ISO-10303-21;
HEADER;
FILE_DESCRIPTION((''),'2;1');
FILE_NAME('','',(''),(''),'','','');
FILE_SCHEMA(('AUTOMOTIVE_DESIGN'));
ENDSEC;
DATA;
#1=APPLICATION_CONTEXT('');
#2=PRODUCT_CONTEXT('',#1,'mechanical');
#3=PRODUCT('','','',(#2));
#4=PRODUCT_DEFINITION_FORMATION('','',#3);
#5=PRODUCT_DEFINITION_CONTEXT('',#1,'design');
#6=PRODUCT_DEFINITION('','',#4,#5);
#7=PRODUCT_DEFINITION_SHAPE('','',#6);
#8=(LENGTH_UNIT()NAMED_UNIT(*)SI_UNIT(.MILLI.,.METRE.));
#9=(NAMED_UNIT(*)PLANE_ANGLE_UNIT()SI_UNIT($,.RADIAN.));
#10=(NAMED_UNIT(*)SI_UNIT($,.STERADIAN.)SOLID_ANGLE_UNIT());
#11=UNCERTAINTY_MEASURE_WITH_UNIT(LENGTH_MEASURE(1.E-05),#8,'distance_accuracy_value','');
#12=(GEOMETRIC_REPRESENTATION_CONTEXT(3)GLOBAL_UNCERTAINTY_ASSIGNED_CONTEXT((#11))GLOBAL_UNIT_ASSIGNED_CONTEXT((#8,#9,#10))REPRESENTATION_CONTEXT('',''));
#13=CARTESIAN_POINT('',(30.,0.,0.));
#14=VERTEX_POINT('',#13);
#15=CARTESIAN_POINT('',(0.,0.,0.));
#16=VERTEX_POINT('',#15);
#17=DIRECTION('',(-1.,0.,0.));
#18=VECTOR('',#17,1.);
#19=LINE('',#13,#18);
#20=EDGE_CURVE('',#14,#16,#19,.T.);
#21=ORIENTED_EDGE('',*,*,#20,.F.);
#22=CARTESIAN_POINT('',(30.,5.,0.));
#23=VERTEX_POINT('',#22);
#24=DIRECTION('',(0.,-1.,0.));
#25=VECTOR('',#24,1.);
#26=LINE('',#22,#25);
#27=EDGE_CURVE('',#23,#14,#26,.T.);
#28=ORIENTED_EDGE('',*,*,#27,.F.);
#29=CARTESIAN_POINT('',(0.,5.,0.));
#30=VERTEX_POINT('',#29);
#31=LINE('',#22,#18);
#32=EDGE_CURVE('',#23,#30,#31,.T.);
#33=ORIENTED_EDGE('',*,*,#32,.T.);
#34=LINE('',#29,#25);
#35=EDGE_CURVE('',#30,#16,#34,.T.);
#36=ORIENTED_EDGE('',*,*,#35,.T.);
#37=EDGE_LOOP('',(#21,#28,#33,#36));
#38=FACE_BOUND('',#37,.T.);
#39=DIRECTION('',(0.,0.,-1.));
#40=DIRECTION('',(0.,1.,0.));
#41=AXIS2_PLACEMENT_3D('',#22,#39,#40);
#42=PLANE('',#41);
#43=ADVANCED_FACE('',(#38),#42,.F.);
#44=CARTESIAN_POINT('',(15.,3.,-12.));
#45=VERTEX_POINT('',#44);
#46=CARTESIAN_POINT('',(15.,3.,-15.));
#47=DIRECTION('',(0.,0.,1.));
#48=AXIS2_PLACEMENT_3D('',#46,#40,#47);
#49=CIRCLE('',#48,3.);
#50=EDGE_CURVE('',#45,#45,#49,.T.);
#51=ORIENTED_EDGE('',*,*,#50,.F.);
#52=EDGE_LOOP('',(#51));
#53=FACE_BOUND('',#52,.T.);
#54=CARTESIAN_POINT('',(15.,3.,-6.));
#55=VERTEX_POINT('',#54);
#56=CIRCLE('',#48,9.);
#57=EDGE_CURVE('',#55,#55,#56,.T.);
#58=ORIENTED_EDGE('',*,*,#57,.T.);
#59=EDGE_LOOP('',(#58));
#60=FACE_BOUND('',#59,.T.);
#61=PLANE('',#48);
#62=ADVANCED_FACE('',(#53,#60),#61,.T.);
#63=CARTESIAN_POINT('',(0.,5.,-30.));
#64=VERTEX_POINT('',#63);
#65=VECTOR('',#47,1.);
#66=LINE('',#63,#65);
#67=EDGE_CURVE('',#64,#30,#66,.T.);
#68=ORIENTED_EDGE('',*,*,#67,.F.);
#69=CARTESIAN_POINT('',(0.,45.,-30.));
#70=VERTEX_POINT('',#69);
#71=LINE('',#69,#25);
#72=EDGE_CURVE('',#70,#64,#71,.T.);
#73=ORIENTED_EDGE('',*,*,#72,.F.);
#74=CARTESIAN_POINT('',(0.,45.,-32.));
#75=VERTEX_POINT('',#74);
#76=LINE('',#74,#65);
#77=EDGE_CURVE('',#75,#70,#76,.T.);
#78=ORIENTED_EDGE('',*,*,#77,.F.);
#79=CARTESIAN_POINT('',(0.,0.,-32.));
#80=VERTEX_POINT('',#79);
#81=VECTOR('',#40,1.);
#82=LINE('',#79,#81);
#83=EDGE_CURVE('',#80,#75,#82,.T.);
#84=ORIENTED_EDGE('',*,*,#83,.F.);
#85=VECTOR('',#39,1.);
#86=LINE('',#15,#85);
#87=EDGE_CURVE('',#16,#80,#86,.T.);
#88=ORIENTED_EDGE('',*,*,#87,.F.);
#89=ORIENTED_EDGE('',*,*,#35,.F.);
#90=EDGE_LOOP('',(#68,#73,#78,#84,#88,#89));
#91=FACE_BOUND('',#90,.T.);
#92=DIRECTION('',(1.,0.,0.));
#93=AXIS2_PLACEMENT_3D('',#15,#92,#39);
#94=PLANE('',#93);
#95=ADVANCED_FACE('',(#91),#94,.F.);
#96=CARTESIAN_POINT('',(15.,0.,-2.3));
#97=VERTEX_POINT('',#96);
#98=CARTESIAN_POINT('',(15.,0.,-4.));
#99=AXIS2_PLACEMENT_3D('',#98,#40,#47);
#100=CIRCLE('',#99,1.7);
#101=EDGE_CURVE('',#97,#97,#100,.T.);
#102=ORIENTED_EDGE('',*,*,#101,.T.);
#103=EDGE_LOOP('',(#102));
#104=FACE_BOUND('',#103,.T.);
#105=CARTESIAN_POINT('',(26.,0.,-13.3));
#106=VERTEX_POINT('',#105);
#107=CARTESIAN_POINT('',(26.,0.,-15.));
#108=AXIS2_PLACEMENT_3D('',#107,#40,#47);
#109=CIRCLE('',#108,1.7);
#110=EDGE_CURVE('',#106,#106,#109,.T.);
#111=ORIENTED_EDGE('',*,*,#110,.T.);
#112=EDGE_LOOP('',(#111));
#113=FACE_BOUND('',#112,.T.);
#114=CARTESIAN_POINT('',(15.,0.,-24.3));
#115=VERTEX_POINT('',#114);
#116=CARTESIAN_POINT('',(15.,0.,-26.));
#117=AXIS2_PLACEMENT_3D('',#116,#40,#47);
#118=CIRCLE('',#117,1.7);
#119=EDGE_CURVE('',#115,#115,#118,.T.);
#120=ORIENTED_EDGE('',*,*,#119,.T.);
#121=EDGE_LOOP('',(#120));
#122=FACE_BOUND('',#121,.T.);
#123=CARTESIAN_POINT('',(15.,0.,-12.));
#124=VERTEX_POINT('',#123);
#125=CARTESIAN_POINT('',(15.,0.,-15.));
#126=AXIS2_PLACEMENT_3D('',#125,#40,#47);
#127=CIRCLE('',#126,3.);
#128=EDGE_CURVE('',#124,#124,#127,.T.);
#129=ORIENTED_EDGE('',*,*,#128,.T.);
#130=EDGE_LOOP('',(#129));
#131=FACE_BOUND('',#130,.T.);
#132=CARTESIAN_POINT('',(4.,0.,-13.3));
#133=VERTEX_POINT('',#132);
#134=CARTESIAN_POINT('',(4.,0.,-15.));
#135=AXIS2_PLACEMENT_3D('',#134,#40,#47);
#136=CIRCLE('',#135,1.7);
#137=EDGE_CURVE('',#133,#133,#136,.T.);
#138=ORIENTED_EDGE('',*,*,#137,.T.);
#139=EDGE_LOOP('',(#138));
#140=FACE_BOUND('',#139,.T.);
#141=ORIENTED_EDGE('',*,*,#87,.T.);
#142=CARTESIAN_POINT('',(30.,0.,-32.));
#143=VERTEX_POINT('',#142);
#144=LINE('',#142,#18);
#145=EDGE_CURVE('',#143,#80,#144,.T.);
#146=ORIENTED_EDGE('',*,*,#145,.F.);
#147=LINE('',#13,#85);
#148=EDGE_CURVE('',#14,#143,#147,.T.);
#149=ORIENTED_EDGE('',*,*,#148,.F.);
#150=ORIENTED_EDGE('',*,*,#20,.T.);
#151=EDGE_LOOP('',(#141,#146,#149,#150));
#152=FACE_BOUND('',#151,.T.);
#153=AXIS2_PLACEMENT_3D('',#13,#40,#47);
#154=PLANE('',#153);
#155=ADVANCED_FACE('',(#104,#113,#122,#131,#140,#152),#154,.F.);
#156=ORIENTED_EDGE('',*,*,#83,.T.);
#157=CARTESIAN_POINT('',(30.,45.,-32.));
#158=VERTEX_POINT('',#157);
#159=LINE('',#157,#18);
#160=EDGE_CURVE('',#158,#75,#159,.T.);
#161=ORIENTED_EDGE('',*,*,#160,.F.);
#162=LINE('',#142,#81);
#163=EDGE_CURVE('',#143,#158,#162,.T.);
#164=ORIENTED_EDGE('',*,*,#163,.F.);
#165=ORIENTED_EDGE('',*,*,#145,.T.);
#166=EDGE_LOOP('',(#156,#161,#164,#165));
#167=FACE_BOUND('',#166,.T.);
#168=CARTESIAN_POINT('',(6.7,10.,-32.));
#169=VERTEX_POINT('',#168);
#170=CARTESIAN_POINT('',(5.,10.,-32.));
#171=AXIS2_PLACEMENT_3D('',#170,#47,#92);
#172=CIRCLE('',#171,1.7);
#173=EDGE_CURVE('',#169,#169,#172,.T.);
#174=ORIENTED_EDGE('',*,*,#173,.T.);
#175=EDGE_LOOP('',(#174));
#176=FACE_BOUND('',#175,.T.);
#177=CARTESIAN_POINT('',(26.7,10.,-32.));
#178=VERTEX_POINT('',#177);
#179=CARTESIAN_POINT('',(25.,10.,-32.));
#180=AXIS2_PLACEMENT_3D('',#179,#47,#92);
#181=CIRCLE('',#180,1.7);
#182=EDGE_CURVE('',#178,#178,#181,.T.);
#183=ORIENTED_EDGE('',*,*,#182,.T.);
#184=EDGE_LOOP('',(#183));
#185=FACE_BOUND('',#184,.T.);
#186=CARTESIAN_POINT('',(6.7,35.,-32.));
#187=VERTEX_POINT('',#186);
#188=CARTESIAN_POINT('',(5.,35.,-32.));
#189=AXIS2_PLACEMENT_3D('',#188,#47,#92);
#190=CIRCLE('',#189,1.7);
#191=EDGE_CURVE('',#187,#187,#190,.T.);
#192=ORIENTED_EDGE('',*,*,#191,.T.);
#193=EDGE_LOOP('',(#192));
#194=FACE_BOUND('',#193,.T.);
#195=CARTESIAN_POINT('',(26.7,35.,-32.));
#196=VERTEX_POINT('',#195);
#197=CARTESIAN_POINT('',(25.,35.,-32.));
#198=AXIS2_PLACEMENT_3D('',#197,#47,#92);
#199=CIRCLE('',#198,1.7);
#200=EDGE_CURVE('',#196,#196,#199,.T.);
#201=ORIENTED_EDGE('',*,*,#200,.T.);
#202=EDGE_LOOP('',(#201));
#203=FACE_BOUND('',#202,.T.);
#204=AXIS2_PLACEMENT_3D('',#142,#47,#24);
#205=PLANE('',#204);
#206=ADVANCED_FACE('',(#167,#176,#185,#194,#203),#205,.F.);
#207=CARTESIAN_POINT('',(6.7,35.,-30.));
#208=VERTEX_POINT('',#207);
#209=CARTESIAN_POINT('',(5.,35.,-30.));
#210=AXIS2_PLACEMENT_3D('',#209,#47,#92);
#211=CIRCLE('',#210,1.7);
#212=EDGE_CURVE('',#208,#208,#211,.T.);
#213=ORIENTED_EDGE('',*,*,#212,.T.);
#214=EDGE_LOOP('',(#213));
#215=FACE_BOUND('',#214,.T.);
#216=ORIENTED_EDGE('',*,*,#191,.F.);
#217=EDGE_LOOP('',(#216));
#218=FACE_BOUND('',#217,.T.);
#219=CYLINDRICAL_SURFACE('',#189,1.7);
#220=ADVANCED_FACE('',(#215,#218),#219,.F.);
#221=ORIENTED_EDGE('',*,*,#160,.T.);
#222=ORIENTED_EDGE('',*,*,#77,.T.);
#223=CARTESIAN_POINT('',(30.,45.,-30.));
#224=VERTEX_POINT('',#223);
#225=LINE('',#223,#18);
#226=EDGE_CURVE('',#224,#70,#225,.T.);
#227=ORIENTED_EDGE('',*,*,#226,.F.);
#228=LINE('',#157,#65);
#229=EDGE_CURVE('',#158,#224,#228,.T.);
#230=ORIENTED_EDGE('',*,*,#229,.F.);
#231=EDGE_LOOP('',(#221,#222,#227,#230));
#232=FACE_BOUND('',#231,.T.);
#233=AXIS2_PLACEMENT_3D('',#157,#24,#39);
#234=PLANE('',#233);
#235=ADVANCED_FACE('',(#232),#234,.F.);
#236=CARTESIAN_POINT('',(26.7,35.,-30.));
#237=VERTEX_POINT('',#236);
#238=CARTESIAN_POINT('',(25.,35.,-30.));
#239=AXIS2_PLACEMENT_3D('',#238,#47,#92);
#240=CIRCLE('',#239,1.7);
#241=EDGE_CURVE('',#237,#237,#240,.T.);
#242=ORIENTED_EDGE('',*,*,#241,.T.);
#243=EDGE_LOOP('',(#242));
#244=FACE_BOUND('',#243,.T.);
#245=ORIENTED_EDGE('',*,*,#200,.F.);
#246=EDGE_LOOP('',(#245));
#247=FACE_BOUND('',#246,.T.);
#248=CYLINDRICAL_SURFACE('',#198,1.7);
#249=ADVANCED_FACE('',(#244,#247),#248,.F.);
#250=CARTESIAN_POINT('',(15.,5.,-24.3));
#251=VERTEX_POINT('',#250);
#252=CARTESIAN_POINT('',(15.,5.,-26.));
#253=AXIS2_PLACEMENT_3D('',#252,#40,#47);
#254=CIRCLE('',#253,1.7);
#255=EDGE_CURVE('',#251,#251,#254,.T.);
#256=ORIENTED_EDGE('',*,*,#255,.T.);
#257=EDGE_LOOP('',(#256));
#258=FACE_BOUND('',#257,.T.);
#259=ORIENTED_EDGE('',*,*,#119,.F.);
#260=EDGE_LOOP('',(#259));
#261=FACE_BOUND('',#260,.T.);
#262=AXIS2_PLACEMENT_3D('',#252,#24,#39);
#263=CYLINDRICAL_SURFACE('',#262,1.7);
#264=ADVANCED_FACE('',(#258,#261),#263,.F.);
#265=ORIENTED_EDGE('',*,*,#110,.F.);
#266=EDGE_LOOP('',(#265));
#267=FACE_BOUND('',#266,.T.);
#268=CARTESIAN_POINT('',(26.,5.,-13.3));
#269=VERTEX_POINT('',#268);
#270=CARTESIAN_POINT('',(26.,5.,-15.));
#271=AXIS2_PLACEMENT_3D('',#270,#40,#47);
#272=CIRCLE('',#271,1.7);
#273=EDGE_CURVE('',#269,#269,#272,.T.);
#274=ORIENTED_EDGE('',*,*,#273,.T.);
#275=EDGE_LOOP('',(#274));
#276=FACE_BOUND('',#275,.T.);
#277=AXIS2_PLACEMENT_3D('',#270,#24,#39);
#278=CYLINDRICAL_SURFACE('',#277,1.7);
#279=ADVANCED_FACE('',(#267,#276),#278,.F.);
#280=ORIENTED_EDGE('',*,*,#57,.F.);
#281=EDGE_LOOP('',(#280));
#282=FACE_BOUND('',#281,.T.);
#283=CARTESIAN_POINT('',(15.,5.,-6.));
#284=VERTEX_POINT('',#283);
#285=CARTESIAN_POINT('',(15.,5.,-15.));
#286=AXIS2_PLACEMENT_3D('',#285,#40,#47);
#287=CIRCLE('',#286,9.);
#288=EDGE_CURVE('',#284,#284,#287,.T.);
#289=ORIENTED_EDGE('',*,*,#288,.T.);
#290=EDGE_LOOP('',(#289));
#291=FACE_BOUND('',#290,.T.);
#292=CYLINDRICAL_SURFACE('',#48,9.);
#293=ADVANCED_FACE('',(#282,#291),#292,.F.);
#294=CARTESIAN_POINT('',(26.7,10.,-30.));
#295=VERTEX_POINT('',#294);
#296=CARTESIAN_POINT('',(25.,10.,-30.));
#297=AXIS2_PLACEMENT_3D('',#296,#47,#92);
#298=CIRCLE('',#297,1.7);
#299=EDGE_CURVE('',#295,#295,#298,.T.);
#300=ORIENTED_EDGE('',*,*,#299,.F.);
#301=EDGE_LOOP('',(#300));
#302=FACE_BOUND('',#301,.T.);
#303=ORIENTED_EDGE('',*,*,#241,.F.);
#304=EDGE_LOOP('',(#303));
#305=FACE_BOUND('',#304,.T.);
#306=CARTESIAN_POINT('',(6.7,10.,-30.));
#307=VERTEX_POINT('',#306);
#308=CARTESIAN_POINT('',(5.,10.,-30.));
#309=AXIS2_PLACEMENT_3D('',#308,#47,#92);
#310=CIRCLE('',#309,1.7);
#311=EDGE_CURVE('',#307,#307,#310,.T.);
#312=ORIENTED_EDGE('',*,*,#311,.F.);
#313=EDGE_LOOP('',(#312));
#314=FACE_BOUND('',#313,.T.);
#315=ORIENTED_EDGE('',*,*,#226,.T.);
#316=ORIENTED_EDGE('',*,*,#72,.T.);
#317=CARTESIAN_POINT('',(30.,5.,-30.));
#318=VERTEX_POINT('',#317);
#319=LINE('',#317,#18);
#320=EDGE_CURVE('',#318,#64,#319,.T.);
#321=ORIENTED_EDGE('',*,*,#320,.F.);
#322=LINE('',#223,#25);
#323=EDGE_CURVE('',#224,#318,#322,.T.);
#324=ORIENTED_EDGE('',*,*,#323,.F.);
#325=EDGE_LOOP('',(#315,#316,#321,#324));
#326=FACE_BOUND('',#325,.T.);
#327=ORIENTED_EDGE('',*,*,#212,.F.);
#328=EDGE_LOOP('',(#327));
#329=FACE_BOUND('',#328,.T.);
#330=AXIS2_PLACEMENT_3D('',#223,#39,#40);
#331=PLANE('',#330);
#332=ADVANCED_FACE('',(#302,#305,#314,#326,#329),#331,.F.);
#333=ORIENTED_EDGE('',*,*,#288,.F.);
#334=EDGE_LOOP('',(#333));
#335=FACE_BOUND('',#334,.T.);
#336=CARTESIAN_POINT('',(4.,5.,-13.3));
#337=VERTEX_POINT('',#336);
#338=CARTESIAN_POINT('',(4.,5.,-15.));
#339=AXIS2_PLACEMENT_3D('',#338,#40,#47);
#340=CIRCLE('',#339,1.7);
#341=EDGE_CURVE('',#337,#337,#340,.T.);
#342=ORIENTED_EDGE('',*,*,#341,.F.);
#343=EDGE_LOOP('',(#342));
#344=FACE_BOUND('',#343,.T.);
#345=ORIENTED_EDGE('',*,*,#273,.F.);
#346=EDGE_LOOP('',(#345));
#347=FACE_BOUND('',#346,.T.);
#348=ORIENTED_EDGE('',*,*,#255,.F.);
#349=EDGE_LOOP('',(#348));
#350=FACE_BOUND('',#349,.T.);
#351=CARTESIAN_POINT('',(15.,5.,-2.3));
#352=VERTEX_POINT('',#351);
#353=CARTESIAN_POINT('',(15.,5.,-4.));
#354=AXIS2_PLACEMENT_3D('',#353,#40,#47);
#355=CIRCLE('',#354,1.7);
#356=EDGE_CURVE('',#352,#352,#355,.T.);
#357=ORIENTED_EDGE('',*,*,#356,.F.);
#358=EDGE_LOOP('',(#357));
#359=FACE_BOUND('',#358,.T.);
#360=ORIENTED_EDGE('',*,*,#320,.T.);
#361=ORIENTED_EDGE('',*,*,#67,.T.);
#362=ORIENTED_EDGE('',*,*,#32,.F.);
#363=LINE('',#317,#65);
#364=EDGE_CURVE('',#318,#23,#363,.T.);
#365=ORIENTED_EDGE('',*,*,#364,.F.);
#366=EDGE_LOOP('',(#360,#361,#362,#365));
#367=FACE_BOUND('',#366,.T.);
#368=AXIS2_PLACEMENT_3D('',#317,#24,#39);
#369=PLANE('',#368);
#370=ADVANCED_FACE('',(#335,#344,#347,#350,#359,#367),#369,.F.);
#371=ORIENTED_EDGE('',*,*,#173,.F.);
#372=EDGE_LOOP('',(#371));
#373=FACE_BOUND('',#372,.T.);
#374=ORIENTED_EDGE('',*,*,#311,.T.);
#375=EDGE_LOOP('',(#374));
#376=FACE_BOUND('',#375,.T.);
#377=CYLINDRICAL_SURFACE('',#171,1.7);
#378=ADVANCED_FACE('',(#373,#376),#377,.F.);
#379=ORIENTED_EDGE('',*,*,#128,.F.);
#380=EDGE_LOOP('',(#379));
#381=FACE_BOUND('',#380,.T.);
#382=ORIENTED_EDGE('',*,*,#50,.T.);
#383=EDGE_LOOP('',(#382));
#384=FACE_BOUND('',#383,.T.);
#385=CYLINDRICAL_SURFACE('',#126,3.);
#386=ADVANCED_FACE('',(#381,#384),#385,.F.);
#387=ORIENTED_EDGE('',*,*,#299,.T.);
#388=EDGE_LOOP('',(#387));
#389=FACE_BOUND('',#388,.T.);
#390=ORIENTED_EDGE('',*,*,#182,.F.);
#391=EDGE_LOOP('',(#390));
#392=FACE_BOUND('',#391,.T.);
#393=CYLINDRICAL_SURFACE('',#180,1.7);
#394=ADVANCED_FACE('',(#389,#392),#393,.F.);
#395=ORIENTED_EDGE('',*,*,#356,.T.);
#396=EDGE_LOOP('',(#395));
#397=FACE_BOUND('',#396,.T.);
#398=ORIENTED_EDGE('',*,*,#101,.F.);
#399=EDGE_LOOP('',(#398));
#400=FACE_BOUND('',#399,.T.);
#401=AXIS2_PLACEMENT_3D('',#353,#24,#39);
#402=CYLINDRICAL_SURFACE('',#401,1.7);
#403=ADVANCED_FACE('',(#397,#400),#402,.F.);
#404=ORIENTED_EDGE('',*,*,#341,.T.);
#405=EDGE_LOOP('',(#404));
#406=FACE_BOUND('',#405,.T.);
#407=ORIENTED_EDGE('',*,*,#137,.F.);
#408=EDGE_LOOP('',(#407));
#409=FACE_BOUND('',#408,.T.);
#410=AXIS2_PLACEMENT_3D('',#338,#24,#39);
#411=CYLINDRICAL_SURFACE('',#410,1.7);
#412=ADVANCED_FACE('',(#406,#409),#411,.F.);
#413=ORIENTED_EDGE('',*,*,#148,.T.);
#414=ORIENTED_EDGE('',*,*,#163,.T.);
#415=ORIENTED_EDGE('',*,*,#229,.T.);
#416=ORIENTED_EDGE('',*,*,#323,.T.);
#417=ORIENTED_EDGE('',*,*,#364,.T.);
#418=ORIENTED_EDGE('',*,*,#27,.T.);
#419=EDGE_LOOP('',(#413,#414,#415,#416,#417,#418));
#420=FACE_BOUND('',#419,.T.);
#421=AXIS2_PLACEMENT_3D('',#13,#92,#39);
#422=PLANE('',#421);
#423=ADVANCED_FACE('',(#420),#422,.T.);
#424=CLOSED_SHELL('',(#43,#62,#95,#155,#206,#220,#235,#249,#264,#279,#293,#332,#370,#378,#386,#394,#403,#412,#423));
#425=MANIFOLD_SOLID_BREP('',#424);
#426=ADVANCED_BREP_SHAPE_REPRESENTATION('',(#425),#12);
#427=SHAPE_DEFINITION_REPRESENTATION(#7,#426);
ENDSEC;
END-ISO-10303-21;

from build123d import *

# Parameters (mm, degrees)
BOSS_EXTRUDE1_DEPTH     = 30
SKETCH3_R               = 9
SKETCH3_R_2             = 3
CUT_EXTRUDE1_DEPTH      = 2
SKETCH7_R               = 3
CUT_EXTRUDE2_DEPTH      = 60.363288319
CUT_EXTRUDE3_DEPTH      = 2
CUT_EXTRUDE3_DEPTH_BACK = 61.728905803
SKETCH8_R               = 1.7
SKETCH9_R               = 1.7
CUT_EXTRUDE4_DEPTH      = 62.846584384


with BuildPart() as part:
    # Sketch2 → Boss-Extrude1 (new body)
    with BuildSketch(Plane(origin=(0, 0, 0), x_dir=(0, 0, -1), z_dir=(1, 0, 0))):
        Polygon((0, 0), (32, 0), (32, 45), (30, 45), (30, 5), (0, 5), align=None)
    extrude(amount=BOSS_EXTRUDE1_DEPTH)

    # Sketch3 → Cut-Extrude1 (cut)
    with BuildSketch(Plane(origin=(0, 5, 0), x_dir=(1, 0, 0), z_dir=(0, 1, 0))):
        with Locations(Location((15, 15, 0), (0, 0, 270))):
            Circle(SKETCH3_R)
        with Locations(Location((15, 15, 0), (0, 0, 270))):
            Circle(SKETCH3_R_2, mode=Mode.SUBTRACT)
    extrude(amount=-CUT_EXTRUDE1_DEPTH, mode=Mode.SUBTRACT)

    # Sketch7 → Cut-Extrude2 (cut, through all)
    with BuildSketch(Plane(origin=(0, 5, 0), x_dir=(1, 0, 0), z_dir=(0, 1, 0))):
        with Locations(Location((15, 15, 0), (0, 0, 270))):
            Circle(SKETCH7_R)
    extrude(amount=-CUT_EXTRUDE2_DEPTH, mode=Mode.SUBTRACT)

    # Sketch8 → Cut-Extrude3 (cut, two sides: drawn at the far end of the back side and taken through both)
    with BuildSketch(Plane(origin=(0, 3, 0), x_dir=(1, 0, 0), z_dir=(0, 1, 0)).offset(-CUT_EXTRUDE3_DEPTH_BACK)):
        with Locations(Location((4, 15, 0), (0, 0, 270))):
            Circle(SKETCH8_R)
        with Locations(Location((26, 15, 0), (0, 0, 270))):
            Circle(SKETCH8_R)
        with Locations(Location((15, 4, 0), (0, 0, 270))):
            Circle(SKETCH8_R)
        with Locations(Location((15, 26, 0), (0, 0, 270))):
            Circle(SKETCH8_R)
    extrude(amount=CUT_EXTRUDE3_DEPTH + CUT_EXTRUDE3_DEPTH_BACK, mode=Mode.SUBTRACT)

    # Sketch9 → Cut-Extrude4 (cut, through all)
    with BuildSketch(Plane.XY.offset(-30)):
        with Locations((5, 35)):
            Circle(SKETCH9_R)
        with Locations((25, 35)):
            Circle(SKETCH9_R)
        with Locations((25, 10)):
            Circle(SKETCH9_R)
        with Locations((5, 10)):
            Circle(SKETCH9_R)
    extrude(amount=-CUT_EXTRUDE4_DEPTH, mode=Mode.SUBTRACT)


solid = part.part
